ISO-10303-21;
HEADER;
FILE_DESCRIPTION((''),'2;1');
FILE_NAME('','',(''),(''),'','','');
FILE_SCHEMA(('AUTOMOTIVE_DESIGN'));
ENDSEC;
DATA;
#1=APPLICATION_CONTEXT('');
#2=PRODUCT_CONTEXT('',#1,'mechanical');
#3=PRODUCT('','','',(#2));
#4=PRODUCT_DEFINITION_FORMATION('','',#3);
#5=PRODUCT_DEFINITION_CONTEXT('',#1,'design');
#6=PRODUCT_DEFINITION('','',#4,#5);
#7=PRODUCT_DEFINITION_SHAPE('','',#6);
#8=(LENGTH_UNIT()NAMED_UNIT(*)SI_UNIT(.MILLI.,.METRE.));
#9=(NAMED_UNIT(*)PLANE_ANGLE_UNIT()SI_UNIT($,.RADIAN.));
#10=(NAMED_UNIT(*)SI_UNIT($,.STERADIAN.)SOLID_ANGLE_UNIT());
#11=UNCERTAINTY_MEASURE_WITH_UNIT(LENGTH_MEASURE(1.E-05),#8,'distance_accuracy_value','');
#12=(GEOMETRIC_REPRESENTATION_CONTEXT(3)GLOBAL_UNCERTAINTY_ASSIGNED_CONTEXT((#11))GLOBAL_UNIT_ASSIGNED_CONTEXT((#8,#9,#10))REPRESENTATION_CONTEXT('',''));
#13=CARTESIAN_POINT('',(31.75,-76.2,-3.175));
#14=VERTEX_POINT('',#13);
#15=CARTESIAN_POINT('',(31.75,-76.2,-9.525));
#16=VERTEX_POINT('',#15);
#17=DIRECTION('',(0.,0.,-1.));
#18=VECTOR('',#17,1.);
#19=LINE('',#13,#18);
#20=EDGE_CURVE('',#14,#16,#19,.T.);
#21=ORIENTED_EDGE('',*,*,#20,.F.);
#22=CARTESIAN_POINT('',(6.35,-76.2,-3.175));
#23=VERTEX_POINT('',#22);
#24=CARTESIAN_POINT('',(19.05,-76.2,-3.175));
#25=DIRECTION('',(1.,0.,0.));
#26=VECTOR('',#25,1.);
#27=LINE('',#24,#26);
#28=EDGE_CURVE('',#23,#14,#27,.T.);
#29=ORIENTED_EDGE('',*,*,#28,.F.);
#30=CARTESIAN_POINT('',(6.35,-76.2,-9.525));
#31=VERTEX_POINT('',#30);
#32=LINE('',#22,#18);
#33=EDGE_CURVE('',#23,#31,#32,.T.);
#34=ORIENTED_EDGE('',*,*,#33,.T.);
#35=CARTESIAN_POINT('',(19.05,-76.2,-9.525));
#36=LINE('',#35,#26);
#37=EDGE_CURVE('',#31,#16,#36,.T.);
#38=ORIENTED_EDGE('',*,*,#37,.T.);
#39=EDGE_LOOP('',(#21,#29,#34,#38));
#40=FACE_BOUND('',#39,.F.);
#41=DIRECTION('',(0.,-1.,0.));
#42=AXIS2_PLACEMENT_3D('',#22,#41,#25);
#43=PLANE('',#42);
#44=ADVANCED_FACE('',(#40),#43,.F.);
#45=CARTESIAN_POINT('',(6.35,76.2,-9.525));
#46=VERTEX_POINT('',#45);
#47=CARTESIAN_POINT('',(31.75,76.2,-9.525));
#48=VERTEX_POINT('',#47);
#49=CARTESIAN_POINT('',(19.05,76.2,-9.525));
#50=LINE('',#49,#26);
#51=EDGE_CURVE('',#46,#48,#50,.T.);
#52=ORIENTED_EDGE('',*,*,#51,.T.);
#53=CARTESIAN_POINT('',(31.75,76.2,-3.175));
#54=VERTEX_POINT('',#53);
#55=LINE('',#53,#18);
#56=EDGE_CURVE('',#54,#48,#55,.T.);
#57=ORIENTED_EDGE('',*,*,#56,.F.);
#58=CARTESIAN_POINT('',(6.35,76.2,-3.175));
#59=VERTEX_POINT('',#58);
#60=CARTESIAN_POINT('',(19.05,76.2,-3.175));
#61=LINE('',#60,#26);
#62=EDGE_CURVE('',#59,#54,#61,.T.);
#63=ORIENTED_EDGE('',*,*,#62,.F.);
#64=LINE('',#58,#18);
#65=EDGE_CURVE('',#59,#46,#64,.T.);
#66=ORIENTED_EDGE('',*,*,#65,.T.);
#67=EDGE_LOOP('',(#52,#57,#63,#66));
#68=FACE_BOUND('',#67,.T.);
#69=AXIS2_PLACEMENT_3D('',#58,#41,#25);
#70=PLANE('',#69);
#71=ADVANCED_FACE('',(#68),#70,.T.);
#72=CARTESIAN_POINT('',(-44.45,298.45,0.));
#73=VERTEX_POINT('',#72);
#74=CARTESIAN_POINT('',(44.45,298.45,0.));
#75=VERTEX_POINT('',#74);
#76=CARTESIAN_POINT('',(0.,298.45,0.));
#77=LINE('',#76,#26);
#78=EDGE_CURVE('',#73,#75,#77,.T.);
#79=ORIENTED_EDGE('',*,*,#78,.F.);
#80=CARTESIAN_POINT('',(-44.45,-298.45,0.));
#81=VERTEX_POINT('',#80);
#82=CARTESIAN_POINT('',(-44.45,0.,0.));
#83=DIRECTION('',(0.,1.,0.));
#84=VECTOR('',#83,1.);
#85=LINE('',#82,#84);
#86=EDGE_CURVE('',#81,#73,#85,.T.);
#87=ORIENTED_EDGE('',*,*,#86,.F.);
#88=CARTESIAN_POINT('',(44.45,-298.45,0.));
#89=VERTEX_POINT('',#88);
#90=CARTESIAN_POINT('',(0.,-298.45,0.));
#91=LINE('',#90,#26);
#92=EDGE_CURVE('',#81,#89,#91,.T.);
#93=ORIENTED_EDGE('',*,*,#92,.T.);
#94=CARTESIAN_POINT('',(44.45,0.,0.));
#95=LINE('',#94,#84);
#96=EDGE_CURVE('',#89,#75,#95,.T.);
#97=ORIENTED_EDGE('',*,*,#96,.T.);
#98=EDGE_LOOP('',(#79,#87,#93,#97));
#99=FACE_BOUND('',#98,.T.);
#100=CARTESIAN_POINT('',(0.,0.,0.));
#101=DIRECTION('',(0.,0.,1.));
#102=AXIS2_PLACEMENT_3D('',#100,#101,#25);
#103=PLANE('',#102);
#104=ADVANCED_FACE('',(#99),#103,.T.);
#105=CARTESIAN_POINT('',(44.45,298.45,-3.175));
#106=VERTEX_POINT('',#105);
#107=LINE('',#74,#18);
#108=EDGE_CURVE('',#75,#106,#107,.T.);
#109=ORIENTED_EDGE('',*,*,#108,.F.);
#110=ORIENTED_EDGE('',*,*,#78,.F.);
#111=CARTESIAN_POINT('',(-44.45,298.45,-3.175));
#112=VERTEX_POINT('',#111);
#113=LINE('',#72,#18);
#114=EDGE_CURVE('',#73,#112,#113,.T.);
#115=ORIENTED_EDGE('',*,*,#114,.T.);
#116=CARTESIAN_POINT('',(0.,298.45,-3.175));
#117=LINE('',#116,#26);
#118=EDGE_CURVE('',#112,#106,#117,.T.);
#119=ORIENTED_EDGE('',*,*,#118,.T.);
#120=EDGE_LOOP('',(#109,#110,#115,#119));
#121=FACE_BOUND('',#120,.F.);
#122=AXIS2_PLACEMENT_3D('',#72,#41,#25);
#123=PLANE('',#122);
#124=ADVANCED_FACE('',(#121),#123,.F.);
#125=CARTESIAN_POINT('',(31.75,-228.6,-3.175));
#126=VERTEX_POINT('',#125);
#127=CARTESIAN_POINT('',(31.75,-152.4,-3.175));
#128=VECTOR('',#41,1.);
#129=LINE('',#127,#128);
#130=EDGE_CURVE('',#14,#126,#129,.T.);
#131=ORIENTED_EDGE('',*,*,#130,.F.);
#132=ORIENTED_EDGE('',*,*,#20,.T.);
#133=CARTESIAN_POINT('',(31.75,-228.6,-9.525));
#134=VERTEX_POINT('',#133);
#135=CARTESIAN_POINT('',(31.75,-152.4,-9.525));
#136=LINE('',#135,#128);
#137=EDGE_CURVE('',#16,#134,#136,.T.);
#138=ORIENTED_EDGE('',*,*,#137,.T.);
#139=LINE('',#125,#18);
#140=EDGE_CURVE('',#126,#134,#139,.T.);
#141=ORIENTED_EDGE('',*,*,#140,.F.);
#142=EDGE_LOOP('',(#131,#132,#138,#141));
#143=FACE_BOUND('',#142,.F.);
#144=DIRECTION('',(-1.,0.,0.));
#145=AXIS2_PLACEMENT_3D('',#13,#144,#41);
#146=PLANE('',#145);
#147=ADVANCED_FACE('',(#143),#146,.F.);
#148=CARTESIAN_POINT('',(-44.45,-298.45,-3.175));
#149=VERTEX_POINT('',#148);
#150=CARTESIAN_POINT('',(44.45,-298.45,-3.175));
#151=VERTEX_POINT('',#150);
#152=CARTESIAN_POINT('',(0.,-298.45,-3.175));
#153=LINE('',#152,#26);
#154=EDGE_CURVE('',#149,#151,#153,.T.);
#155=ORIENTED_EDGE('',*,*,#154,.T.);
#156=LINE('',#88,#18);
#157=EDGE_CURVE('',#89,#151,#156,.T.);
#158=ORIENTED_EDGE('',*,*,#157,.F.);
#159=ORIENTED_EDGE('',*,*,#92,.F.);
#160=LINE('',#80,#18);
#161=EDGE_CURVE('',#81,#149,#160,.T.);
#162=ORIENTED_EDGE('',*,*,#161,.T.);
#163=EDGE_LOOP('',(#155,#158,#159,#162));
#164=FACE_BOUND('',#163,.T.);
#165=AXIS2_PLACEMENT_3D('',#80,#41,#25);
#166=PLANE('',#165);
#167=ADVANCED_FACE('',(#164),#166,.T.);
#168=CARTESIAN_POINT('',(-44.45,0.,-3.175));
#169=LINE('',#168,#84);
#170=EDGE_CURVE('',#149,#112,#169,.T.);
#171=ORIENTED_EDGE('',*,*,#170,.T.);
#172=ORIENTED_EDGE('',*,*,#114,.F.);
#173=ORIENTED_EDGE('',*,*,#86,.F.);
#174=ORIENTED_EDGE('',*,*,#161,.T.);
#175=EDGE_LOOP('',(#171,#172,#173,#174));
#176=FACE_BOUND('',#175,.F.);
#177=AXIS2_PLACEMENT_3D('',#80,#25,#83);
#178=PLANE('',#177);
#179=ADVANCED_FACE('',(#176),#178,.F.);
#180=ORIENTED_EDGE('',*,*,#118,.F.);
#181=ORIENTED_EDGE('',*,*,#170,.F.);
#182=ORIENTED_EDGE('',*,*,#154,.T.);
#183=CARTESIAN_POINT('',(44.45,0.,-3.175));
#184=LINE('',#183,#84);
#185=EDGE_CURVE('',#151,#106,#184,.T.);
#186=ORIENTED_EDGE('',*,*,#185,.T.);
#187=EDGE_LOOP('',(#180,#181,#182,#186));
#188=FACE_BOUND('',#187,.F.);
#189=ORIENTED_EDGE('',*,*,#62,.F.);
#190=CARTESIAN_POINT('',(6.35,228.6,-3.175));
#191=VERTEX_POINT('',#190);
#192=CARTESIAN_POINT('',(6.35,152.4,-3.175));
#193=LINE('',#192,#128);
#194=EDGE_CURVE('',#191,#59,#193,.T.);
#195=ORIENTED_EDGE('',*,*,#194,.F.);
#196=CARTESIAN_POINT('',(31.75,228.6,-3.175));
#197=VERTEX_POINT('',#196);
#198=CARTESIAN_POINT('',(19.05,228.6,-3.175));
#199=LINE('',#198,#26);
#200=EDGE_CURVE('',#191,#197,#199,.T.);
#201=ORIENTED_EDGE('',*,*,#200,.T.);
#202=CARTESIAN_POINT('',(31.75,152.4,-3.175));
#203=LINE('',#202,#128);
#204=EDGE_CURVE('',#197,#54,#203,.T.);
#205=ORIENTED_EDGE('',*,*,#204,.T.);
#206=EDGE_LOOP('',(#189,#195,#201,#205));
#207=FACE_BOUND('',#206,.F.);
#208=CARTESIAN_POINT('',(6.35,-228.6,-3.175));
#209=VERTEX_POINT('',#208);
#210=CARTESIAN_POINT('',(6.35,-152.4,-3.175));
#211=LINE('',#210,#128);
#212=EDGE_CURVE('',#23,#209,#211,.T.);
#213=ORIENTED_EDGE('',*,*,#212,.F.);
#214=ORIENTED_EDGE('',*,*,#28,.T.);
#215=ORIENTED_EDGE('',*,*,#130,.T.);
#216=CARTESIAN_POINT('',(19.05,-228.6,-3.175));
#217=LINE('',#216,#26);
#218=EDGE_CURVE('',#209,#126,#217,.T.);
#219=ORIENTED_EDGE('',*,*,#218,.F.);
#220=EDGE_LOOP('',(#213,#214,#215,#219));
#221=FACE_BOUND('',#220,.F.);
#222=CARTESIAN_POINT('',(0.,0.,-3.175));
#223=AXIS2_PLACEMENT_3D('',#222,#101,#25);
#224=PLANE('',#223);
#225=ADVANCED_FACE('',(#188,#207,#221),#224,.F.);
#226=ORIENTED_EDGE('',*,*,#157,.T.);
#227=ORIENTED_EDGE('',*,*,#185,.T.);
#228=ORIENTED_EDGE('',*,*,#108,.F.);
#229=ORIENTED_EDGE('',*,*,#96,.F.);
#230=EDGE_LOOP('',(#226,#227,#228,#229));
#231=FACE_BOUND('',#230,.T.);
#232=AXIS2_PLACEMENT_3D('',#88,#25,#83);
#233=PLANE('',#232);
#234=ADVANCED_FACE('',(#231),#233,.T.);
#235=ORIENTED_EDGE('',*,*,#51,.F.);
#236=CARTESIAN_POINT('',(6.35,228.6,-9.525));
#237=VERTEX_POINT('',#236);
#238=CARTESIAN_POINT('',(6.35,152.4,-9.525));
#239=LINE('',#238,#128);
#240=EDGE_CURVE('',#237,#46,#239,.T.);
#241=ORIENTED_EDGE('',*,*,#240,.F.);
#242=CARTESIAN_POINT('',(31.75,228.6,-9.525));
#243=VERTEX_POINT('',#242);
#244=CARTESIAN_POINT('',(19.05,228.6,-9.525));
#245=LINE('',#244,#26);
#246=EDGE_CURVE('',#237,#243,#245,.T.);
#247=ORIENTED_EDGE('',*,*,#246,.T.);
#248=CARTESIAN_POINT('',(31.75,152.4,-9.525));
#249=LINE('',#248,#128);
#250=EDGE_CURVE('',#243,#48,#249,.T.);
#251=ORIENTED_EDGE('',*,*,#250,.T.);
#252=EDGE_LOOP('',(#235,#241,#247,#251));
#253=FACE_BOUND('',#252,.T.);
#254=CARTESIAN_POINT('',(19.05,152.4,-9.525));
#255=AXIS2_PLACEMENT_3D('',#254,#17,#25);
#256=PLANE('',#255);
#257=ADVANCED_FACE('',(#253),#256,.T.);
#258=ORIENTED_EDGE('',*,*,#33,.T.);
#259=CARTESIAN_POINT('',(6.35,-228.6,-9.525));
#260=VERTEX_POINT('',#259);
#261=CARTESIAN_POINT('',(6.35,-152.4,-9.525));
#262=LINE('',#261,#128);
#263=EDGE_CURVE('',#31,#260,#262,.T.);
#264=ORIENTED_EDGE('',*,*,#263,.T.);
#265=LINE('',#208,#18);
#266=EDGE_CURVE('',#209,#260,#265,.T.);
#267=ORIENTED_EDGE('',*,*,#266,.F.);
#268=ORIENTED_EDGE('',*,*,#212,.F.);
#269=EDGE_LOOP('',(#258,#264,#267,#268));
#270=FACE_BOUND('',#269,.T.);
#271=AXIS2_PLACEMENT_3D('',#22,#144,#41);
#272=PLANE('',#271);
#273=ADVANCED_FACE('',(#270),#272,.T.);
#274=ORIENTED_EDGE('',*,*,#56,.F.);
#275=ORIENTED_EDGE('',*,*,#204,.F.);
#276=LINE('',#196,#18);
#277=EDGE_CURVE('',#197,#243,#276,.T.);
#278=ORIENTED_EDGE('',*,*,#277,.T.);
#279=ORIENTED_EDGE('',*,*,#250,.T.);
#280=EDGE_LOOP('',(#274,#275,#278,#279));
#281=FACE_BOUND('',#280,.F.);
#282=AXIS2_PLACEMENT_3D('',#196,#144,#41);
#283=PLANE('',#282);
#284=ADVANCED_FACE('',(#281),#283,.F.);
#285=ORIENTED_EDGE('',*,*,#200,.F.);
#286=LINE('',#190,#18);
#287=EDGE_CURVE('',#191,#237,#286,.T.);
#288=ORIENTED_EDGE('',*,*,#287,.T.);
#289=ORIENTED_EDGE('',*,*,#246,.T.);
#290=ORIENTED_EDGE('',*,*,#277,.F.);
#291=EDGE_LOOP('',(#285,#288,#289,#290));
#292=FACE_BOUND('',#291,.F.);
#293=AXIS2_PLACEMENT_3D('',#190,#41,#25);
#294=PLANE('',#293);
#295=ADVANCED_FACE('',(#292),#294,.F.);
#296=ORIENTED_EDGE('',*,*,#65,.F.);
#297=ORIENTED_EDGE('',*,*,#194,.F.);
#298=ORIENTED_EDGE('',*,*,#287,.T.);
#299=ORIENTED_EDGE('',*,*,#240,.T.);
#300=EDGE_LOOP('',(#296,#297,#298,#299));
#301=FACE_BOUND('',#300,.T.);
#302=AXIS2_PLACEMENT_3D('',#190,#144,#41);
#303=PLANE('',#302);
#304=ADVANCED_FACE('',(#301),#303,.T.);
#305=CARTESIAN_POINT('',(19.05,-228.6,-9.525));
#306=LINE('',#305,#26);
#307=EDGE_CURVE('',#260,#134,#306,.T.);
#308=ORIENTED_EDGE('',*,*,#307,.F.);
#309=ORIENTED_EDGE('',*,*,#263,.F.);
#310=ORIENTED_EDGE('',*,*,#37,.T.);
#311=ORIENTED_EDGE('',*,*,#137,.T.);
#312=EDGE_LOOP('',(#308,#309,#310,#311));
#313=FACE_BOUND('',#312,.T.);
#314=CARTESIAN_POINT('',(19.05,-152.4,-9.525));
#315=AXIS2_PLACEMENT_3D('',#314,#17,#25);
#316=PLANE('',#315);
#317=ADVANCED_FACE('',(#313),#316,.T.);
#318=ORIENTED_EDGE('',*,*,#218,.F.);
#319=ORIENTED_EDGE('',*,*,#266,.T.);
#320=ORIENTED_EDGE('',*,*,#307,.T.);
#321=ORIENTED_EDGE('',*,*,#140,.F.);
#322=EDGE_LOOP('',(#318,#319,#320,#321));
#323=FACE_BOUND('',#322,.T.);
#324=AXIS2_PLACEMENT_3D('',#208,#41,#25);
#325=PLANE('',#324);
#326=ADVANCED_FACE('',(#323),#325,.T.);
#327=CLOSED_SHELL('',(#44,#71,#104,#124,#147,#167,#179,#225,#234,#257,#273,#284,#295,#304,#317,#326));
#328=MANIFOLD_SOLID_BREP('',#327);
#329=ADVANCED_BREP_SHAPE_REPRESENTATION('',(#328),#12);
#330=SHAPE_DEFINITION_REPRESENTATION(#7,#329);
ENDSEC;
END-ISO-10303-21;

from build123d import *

# Parameters (mm, degrees)
F0_W     = 88.9
F0_H     = 596.9
F1_DEPTH = 3.175
F2_W     = 25.4
F2_H     = 152.4
F3_DEPTH = 6.35


with BuildPart() as f1:
    # F0 (on Top) → F1 (new body)
    with BuildSketch(Plane.XY):
        Rectangle(F0_W, F0_H)
    extrude(amount=-F1_DEPTH)

    # F2 (on face) → F3 (join)
    with BuildSketch(Plane(origin=(0, 0, -3.175), x_dir=(1, 0, 0), z_dir=(0, 0, -1))):
        with Locations((19.05, 152.4)):
            Rectangle(F2_W, F2_H)
        with Locations((19.05, -152.4)):
            Rectangle(F2_W, F2_H)
    extrude(amount=F3_DEPTH)


solid = f1.part
